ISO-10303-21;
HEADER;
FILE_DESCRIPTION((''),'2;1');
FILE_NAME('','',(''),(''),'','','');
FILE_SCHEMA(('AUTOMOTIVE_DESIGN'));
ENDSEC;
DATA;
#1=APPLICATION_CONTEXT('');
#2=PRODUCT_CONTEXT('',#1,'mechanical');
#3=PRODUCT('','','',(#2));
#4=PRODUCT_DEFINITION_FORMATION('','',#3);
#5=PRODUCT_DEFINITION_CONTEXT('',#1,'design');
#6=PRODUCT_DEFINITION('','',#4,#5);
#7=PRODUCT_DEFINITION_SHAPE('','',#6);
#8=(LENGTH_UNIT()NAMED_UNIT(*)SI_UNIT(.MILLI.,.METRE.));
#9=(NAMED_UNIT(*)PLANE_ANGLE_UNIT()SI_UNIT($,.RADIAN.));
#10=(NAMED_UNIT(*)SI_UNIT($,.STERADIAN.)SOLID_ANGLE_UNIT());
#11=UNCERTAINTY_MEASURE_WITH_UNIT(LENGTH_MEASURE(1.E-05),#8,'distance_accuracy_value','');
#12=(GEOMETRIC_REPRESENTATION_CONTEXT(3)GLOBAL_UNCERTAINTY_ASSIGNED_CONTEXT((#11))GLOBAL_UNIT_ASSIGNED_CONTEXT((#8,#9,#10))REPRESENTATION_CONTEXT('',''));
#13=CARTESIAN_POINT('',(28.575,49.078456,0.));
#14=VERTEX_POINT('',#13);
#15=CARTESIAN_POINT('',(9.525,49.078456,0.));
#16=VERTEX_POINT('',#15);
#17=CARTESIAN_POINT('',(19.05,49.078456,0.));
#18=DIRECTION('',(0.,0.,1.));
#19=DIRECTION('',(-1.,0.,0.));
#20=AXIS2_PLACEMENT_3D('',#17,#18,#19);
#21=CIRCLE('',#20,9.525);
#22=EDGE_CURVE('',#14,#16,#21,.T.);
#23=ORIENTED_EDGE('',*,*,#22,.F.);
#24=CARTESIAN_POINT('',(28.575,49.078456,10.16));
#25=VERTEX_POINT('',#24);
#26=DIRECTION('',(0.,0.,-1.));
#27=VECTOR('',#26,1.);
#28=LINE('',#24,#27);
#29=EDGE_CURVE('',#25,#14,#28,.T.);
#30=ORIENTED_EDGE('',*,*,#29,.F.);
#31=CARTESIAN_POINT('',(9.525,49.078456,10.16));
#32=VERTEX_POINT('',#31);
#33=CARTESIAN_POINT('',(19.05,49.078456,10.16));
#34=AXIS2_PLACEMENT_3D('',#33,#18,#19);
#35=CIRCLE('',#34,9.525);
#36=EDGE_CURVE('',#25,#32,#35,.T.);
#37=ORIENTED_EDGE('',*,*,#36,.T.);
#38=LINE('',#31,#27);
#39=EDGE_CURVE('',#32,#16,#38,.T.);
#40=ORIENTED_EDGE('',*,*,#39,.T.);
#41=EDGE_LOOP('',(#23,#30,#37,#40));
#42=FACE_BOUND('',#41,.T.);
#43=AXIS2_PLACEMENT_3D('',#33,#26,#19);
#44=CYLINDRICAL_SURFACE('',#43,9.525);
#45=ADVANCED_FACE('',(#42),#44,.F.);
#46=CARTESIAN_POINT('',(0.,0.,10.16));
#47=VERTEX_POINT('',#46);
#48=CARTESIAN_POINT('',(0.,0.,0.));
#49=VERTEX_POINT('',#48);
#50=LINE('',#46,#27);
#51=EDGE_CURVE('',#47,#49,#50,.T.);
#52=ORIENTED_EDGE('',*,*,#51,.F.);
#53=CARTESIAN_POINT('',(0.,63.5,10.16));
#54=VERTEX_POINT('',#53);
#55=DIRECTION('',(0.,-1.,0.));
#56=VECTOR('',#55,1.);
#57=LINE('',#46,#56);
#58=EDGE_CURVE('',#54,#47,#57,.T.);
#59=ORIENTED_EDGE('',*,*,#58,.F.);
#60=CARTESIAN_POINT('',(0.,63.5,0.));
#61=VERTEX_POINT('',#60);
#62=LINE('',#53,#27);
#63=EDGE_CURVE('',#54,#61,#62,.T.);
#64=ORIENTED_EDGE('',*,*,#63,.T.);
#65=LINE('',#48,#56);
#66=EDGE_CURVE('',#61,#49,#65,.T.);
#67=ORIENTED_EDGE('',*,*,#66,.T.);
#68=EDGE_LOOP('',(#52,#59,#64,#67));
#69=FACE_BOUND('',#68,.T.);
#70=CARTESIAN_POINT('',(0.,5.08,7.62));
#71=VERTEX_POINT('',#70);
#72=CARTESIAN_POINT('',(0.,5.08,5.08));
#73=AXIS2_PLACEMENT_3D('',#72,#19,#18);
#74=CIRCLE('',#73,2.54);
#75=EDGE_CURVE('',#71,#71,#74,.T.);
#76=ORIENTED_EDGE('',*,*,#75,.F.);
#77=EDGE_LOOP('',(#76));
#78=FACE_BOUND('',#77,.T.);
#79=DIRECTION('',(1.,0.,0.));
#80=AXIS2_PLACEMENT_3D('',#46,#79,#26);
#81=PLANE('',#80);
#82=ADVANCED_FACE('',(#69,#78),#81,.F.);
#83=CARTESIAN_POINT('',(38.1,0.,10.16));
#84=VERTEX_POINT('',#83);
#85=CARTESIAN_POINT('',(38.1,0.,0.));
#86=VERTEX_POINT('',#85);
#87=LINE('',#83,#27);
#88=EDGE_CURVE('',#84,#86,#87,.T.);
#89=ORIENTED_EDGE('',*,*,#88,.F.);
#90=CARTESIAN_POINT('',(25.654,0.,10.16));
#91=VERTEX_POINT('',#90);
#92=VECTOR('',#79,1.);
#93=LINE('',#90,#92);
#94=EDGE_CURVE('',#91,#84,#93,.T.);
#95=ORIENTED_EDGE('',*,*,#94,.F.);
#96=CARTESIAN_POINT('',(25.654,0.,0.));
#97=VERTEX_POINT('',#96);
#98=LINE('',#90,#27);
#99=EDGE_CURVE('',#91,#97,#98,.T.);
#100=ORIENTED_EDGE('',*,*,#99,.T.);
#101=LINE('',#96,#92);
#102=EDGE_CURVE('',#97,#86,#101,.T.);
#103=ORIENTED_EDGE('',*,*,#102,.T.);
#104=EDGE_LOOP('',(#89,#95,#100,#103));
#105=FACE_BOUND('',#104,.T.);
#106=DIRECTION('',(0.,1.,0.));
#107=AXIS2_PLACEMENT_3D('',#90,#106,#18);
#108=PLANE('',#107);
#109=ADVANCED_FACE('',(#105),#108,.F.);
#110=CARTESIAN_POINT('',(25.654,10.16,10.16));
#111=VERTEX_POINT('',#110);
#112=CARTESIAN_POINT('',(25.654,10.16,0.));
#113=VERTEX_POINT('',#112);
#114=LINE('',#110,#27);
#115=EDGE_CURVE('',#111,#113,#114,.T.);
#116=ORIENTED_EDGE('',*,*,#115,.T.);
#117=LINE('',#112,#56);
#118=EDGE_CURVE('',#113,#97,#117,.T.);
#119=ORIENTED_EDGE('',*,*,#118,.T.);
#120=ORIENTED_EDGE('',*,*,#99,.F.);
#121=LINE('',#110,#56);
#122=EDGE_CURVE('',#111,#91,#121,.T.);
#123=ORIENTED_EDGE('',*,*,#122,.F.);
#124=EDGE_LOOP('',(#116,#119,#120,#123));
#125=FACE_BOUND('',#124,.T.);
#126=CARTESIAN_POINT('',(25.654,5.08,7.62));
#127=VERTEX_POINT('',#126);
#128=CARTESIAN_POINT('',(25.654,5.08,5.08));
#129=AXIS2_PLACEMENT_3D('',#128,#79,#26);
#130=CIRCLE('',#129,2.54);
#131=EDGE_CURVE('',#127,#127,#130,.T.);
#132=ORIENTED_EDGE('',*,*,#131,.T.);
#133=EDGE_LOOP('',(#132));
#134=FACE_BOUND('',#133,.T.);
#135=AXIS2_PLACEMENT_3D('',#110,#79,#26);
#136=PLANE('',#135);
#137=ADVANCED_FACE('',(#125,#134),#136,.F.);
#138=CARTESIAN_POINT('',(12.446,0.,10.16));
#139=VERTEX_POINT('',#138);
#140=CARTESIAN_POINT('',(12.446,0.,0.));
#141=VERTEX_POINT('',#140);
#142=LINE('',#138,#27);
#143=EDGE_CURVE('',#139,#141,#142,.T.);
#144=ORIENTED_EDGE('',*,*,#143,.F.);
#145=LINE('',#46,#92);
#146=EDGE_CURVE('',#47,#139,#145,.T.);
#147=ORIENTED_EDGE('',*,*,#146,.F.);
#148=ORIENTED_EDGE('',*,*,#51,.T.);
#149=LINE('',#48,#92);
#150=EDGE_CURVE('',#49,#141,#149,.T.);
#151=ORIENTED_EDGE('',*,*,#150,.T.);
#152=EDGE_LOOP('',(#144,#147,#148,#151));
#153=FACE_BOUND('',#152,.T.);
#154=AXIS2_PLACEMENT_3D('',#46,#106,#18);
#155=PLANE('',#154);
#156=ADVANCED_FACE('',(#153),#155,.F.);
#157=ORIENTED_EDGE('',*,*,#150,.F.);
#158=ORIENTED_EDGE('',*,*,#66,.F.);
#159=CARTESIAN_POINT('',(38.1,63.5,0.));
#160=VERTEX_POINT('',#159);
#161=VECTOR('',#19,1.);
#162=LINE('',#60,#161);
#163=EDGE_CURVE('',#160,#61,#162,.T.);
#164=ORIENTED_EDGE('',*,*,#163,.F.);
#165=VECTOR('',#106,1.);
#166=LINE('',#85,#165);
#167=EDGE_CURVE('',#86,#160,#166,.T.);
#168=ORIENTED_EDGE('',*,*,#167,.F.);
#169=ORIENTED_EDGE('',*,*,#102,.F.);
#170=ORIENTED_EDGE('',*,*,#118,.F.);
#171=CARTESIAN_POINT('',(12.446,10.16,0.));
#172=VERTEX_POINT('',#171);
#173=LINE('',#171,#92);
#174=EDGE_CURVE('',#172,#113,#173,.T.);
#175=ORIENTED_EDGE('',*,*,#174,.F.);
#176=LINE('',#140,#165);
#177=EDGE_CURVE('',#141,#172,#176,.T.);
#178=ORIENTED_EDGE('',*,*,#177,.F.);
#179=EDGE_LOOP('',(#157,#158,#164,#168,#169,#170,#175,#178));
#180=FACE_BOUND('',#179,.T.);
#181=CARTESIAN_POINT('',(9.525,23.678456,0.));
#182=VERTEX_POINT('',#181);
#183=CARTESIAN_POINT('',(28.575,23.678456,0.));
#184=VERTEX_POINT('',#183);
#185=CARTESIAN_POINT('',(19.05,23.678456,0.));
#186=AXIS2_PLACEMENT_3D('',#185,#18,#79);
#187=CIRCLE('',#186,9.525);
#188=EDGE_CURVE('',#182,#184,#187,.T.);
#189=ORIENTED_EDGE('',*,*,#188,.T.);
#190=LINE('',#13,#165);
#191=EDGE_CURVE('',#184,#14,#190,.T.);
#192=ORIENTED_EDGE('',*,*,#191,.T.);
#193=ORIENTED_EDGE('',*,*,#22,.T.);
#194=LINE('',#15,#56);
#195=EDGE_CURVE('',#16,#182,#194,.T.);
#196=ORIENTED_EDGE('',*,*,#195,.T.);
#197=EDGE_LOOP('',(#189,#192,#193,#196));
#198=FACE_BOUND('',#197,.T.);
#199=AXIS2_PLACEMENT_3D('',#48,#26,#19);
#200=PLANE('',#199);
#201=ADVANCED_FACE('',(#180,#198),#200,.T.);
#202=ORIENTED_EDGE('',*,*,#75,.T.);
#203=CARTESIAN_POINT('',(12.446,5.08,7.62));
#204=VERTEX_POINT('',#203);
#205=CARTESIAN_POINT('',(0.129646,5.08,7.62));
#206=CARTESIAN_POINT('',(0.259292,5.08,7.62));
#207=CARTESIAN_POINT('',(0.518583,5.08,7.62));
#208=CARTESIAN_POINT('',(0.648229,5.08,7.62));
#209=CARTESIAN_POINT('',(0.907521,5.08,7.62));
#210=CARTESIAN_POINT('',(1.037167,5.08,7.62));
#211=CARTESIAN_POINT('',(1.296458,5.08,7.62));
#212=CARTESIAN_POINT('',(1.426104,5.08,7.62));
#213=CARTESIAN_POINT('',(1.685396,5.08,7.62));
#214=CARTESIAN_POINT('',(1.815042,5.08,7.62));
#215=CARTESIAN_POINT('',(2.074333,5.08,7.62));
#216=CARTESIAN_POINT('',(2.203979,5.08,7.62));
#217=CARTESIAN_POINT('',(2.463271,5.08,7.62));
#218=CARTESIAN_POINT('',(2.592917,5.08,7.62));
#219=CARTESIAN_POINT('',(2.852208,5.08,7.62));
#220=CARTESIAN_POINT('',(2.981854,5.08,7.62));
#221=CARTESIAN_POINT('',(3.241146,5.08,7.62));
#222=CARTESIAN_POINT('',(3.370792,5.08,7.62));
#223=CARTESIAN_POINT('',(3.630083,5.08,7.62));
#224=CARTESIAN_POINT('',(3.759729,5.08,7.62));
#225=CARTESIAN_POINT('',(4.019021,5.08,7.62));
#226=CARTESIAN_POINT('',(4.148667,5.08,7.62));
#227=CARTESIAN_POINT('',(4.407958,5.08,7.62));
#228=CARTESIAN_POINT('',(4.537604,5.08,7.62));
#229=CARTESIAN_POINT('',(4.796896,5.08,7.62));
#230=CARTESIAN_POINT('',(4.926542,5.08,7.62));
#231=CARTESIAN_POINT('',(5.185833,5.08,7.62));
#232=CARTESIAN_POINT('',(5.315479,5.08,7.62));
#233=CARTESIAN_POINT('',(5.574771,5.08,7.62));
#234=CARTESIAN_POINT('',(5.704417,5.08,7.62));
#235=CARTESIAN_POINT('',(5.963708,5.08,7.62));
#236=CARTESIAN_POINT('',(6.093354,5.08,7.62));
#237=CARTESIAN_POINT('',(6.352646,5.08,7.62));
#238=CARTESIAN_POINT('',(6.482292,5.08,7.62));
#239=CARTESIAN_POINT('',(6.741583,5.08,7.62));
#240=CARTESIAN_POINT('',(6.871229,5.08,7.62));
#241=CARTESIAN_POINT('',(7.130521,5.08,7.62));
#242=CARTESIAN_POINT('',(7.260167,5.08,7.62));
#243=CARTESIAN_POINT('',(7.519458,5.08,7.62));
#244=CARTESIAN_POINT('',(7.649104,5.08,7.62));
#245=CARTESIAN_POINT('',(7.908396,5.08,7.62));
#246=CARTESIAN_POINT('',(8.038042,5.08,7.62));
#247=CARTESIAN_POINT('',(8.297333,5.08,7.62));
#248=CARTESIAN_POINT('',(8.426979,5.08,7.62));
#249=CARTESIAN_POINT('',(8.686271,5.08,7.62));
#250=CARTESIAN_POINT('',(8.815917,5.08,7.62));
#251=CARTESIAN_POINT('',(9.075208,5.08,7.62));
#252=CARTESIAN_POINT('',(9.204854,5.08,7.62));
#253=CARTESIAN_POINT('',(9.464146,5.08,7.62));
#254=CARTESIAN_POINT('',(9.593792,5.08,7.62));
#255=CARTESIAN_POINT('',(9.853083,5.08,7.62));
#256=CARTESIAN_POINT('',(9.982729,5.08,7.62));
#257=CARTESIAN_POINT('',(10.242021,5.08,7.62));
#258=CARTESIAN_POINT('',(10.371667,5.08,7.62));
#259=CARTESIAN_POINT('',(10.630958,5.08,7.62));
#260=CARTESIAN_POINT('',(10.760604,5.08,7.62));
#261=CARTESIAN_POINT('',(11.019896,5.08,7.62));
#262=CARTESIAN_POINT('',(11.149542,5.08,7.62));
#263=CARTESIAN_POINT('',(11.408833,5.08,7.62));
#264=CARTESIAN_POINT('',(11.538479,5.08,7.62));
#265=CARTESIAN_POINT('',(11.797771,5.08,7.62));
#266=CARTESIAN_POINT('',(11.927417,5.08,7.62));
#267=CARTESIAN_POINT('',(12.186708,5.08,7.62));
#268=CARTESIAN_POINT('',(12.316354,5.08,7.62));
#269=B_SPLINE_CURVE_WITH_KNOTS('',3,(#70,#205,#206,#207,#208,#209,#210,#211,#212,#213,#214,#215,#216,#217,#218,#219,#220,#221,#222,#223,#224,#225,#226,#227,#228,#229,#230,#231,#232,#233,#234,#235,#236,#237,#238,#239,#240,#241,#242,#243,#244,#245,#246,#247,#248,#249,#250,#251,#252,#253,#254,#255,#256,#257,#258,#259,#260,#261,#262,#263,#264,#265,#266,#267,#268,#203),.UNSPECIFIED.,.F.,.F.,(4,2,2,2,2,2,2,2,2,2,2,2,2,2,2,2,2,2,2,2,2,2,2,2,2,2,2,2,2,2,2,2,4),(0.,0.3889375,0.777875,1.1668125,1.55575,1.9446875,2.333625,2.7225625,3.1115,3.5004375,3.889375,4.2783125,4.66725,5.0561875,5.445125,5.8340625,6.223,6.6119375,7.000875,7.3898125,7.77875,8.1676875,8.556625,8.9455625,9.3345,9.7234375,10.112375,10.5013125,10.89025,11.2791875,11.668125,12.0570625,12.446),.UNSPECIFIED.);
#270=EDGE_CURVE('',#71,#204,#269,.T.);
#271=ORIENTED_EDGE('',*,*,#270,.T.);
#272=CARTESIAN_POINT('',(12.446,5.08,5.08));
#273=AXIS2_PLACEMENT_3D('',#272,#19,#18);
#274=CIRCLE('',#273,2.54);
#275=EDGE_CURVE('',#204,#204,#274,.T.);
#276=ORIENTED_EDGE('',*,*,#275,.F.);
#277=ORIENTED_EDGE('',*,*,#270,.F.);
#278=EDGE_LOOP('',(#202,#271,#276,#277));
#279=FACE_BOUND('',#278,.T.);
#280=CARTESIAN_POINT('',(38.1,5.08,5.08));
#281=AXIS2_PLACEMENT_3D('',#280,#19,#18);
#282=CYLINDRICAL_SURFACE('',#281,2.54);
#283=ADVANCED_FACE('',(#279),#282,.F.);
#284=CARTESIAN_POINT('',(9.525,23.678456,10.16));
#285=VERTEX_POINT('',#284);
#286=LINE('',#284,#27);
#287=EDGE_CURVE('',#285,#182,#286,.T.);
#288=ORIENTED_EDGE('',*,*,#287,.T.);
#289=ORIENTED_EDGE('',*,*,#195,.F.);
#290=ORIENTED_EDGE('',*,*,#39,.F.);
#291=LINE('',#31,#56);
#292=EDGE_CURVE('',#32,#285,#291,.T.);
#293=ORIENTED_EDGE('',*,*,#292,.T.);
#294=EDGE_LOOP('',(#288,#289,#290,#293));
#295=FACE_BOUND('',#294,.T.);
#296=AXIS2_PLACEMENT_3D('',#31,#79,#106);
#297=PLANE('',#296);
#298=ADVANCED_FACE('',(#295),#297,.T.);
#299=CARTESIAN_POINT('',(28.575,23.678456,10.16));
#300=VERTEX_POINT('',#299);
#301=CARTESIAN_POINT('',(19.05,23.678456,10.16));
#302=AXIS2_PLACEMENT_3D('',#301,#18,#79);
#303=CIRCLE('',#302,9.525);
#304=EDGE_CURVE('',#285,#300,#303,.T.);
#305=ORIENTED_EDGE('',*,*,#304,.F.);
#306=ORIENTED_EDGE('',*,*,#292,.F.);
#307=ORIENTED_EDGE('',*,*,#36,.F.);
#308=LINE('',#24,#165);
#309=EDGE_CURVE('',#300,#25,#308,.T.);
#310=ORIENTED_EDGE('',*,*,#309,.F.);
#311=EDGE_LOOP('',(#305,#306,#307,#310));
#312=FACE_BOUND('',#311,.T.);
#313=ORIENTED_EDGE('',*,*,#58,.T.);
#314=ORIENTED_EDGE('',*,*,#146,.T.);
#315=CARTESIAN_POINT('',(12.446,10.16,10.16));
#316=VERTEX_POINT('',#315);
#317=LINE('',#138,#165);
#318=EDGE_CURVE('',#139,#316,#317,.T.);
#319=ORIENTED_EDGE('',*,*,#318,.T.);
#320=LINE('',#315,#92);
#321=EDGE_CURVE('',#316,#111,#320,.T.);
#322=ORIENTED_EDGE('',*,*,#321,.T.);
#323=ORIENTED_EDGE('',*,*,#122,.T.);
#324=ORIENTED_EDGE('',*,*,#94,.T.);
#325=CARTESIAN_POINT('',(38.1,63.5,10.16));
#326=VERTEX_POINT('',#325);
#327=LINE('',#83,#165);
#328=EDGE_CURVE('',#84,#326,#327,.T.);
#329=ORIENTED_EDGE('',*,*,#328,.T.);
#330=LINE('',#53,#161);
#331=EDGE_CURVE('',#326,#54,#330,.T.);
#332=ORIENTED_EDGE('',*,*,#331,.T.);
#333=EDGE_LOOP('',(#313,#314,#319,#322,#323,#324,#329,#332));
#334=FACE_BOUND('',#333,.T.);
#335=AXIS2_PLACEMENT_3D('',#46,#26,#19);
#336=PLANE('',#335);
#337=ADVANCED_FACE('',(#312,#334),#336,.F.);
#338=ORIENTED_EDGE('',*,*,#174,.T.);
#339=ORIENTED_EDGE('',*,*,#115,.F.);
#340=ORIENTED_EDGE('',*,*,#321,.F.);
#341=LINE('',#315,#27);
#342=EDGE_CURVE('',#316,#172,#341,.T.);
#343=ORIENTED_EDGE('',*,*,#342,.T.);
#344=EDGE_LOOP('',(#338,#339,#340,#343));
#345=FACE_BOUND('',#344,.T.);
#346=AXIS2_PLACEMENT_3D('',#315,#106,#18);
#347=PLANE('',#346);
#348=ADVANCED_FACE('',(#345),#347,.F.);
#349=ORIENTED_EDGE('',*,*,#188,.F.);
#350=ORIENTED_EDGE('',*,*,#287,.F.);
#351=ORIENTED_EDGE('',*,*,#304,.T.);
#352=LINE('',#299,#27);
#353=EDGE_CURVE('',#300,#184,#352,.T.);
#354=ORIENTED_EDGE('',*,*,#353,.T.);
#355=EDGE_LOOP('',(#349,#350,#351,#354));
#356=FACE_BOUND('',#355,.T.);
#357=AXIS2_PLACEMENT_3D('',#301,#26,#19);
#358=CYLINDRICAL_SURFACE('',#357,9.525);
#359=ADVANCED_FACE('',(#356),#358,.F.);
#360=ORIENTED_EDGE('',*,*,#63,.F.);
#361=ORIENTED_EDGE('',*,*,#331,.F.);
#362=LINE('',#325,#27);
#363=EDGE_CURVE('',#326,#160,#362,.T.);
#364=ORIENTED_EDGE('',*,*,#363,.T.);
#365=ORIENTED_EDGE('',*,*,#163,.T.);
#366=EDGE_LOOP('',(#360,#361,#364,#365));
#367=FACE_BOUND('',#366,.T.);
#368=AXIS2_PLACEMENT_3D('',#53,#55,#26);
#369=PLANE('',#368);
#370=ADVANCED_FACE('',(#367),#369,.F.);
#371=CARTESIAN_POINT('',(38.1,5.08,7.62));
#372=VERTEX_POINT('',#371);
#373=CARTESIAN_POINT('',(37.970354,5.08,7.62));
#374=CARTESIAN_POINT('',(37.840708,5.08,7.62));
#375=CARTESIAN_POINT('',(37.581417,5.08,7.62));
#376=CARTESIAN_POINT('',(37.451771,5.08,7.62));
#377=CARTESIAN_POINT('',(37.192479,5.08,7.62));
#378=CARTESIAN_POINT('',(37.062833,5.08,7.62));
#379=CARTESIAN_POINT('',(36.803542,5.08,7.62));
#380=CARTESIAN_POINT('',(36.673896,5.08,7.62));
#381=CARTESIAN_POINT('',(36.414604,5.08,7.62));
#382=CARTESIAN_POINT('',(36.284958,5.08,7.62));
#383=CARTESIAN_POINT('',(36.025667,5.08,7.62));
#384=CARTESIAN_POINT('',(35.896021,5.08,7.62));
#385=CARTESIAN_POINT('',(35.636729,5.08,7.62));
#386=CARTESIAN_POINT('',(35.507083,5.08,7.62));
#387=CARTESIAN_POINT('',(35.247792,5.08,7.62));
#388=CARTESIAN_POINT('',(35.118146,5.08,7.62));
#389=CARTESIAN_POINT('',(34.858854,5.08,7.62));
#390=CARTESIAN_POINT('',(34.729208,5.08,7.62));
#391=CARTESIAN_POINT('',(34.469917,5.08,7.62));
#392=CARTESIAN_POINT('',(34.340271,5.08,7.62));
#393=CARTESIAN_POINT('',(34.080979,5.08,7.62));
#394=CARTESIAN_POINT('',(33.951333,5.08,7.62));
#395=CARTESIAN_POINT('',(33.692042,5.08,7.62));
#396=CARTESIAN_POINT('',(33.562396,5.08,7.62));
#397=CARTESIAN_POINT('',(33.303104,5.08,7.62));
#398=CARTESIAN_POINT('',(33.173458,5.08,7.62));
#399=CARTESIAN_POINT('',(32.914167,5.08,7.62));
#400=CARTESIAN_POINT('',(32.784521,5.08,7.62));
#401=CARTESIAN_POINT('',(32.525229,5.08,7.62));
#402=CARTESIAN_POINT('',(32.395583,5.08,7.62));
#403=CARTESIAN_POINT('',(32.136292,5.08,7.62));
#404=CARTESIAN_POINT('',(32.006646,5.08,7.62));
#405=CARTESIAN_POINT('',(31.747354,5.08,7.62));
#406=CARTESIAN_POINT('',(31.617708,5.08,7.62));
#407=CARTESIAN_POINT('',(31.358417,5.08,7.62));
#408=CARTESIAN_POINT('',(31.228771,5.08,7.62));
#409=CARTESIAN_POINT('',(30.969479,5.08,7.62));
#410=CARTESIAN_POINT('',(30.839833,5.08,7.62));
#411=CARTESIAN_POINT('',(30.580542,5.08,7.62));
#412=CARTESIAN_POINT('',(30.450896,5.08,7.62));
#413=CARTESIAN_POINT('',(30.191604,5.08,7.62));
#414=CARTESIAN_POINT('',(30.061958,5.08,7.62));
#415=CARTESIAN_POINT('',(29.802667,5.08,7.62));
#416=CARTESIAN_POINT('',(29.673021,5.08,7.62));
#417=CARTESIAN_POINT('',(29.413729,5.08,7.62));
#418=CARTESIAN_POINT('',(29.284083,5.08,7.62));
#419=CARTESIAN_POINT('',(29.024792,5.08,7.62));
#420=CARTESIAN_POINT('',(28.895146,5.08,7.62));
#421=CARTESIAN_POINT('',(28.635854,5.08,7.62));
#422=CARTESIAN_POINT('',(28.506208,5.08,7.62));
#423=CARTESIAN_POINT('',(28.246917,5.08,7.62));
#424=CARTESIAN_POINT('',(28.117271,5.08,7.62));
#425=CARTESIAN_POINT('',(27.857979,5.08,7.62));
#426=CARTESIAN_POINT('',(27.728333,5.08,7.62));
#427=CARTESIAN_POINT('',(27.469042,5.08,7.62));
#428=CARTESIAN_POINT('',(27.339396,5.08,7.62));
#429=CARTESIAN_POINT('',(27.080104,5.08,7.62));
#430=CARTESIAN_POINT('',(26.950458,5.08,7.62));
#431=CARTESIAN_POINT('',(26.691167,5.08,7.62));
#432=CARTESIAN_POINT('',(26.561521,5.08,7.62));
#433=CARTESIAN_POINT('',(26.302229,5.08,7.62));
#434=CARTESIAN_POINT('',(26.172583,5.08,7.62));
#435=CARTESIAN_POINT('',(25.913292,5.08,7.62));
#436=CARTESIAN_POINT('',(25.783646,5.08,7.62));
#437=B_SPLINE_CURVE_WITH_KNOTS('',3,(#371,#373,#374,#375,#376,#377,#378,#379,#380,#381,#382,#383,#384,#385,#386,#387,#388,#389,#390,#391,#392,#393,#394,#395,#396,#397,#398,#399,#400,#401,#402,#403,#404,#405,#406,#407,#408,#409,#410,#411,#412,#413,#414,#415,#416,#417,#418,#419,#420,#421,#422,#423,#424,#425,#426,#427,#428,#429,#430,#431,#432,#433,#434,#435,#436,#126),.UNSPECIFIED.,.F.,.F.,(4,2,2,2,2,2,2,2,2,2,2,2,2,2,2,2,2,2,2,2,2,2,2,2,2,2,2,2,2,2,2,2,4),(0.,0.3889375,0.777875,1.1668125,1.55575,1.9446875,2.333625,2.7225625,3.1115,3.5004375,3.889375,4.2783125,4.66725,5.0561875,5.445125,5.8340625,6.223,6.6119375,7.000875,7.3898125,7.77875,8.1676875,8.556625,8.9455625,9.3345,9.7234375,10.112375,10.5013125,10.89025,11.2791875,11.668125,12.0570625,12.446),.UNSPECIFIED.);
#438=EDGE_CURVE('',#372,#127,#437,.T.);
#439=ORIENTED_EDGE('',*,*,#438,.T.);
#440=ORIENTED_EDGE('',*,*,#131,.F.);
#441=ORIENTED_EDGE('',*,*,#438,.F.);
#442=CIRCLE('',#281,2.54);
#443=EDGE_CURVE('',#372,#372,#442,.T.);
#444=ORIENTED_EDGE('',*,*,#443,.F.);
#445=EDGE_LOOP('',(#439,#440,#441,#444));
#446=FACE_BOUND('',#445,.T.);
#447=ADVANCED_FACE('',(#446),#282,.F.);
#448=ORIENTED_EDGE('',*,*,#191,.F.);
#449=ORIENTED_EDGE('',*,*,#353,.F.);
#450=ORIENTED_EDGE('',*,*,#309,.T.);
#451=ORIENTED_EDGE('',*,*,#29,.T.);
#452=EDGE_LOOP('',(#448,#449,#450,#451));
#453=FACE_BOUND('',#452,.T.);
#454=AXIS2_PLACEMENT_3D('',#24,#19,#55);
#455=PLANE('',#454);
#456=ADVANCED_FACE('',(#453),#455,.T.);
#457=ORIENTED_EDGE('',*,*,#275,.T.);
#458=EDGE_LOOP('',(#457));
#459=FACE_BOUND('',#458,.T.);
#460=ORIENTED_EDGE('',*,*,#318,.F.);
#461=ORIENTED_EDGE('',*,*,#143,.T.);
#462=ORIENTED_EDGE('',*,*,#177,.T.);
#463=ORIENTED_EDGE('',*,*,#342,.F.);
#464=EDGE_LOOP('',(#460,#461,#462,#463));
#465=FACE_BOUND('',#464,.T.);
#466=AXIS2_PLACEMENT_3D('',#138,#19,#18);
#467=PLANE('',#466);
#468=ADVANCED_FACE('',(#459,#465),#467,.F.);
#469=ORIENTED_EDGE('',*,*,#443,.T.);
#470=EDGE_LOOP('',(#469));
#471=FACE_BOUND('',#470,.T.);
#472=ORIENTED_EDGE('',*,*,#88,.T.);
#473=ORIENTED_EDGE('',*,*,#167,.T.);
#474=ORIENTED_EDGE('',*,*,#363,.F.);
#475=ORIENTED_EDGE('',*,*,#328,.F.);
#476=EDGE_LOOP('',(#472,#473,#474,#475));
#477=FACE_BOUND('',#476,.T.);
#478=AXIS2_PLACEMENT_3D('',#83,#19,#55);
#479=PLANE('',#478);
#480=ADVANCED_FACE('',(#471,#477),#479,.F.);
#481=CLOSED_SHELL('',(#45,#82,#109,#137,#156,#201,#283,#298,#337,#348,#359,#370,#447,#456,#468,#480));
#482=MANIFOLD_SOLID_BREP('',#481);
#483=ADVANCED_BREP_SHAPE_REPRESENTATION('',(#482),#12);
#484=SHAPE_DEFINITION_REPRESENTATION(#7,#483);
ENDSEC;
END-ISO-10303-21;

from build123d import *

# Parameters (mm, degrees)
BOSS_EXTRUDE2_DEPTH = 10.16
SKETCH4_R           = 2.54
CUT_EXTRUDE1_DEPTH  = 38.1


with BuildPart() as part:
    # Sketch1 → Boss-Extrude2 (new body)
    with BuildSketch(Plane.XY):
        Polygon((0, 0), (12.446, 0), (12.446, 10.16), (25.654, 10.16), (25.654, 0), (38.1, 0), (38.1, 63.5), (0, 63.5), align=None)
        with BuildLine():
            Line((9.525, 49.078456098), (9.525, 23.678456098))
            ThreePointArc((9.525, 23.678456098), (19.05, 14.153456098), (28.575, 23.678456098))
            Line((28.575, 23.678456098), (28.575, 49.078456098))
            ThreePointArc((28.575, 49.078456098), (19.05, 58.603456098), (9.525, 49.078456098))
        make_face(mode=Mode.SUBTRACT)
    extrude(amount=BOSS_EXTRUDE2_DEPTH)

    # Sketch4 → Cut-Extrude1 (cut)
    with BuildSketch(Plane.ZY):
        with Locations((5.08, 5.08)):
            Circle(SKETCH4_R)
    extrude(amount=-CUT_EXTRUDE1_DEPTH, mode=Mode.SUBTRACT)


solid = part.part
